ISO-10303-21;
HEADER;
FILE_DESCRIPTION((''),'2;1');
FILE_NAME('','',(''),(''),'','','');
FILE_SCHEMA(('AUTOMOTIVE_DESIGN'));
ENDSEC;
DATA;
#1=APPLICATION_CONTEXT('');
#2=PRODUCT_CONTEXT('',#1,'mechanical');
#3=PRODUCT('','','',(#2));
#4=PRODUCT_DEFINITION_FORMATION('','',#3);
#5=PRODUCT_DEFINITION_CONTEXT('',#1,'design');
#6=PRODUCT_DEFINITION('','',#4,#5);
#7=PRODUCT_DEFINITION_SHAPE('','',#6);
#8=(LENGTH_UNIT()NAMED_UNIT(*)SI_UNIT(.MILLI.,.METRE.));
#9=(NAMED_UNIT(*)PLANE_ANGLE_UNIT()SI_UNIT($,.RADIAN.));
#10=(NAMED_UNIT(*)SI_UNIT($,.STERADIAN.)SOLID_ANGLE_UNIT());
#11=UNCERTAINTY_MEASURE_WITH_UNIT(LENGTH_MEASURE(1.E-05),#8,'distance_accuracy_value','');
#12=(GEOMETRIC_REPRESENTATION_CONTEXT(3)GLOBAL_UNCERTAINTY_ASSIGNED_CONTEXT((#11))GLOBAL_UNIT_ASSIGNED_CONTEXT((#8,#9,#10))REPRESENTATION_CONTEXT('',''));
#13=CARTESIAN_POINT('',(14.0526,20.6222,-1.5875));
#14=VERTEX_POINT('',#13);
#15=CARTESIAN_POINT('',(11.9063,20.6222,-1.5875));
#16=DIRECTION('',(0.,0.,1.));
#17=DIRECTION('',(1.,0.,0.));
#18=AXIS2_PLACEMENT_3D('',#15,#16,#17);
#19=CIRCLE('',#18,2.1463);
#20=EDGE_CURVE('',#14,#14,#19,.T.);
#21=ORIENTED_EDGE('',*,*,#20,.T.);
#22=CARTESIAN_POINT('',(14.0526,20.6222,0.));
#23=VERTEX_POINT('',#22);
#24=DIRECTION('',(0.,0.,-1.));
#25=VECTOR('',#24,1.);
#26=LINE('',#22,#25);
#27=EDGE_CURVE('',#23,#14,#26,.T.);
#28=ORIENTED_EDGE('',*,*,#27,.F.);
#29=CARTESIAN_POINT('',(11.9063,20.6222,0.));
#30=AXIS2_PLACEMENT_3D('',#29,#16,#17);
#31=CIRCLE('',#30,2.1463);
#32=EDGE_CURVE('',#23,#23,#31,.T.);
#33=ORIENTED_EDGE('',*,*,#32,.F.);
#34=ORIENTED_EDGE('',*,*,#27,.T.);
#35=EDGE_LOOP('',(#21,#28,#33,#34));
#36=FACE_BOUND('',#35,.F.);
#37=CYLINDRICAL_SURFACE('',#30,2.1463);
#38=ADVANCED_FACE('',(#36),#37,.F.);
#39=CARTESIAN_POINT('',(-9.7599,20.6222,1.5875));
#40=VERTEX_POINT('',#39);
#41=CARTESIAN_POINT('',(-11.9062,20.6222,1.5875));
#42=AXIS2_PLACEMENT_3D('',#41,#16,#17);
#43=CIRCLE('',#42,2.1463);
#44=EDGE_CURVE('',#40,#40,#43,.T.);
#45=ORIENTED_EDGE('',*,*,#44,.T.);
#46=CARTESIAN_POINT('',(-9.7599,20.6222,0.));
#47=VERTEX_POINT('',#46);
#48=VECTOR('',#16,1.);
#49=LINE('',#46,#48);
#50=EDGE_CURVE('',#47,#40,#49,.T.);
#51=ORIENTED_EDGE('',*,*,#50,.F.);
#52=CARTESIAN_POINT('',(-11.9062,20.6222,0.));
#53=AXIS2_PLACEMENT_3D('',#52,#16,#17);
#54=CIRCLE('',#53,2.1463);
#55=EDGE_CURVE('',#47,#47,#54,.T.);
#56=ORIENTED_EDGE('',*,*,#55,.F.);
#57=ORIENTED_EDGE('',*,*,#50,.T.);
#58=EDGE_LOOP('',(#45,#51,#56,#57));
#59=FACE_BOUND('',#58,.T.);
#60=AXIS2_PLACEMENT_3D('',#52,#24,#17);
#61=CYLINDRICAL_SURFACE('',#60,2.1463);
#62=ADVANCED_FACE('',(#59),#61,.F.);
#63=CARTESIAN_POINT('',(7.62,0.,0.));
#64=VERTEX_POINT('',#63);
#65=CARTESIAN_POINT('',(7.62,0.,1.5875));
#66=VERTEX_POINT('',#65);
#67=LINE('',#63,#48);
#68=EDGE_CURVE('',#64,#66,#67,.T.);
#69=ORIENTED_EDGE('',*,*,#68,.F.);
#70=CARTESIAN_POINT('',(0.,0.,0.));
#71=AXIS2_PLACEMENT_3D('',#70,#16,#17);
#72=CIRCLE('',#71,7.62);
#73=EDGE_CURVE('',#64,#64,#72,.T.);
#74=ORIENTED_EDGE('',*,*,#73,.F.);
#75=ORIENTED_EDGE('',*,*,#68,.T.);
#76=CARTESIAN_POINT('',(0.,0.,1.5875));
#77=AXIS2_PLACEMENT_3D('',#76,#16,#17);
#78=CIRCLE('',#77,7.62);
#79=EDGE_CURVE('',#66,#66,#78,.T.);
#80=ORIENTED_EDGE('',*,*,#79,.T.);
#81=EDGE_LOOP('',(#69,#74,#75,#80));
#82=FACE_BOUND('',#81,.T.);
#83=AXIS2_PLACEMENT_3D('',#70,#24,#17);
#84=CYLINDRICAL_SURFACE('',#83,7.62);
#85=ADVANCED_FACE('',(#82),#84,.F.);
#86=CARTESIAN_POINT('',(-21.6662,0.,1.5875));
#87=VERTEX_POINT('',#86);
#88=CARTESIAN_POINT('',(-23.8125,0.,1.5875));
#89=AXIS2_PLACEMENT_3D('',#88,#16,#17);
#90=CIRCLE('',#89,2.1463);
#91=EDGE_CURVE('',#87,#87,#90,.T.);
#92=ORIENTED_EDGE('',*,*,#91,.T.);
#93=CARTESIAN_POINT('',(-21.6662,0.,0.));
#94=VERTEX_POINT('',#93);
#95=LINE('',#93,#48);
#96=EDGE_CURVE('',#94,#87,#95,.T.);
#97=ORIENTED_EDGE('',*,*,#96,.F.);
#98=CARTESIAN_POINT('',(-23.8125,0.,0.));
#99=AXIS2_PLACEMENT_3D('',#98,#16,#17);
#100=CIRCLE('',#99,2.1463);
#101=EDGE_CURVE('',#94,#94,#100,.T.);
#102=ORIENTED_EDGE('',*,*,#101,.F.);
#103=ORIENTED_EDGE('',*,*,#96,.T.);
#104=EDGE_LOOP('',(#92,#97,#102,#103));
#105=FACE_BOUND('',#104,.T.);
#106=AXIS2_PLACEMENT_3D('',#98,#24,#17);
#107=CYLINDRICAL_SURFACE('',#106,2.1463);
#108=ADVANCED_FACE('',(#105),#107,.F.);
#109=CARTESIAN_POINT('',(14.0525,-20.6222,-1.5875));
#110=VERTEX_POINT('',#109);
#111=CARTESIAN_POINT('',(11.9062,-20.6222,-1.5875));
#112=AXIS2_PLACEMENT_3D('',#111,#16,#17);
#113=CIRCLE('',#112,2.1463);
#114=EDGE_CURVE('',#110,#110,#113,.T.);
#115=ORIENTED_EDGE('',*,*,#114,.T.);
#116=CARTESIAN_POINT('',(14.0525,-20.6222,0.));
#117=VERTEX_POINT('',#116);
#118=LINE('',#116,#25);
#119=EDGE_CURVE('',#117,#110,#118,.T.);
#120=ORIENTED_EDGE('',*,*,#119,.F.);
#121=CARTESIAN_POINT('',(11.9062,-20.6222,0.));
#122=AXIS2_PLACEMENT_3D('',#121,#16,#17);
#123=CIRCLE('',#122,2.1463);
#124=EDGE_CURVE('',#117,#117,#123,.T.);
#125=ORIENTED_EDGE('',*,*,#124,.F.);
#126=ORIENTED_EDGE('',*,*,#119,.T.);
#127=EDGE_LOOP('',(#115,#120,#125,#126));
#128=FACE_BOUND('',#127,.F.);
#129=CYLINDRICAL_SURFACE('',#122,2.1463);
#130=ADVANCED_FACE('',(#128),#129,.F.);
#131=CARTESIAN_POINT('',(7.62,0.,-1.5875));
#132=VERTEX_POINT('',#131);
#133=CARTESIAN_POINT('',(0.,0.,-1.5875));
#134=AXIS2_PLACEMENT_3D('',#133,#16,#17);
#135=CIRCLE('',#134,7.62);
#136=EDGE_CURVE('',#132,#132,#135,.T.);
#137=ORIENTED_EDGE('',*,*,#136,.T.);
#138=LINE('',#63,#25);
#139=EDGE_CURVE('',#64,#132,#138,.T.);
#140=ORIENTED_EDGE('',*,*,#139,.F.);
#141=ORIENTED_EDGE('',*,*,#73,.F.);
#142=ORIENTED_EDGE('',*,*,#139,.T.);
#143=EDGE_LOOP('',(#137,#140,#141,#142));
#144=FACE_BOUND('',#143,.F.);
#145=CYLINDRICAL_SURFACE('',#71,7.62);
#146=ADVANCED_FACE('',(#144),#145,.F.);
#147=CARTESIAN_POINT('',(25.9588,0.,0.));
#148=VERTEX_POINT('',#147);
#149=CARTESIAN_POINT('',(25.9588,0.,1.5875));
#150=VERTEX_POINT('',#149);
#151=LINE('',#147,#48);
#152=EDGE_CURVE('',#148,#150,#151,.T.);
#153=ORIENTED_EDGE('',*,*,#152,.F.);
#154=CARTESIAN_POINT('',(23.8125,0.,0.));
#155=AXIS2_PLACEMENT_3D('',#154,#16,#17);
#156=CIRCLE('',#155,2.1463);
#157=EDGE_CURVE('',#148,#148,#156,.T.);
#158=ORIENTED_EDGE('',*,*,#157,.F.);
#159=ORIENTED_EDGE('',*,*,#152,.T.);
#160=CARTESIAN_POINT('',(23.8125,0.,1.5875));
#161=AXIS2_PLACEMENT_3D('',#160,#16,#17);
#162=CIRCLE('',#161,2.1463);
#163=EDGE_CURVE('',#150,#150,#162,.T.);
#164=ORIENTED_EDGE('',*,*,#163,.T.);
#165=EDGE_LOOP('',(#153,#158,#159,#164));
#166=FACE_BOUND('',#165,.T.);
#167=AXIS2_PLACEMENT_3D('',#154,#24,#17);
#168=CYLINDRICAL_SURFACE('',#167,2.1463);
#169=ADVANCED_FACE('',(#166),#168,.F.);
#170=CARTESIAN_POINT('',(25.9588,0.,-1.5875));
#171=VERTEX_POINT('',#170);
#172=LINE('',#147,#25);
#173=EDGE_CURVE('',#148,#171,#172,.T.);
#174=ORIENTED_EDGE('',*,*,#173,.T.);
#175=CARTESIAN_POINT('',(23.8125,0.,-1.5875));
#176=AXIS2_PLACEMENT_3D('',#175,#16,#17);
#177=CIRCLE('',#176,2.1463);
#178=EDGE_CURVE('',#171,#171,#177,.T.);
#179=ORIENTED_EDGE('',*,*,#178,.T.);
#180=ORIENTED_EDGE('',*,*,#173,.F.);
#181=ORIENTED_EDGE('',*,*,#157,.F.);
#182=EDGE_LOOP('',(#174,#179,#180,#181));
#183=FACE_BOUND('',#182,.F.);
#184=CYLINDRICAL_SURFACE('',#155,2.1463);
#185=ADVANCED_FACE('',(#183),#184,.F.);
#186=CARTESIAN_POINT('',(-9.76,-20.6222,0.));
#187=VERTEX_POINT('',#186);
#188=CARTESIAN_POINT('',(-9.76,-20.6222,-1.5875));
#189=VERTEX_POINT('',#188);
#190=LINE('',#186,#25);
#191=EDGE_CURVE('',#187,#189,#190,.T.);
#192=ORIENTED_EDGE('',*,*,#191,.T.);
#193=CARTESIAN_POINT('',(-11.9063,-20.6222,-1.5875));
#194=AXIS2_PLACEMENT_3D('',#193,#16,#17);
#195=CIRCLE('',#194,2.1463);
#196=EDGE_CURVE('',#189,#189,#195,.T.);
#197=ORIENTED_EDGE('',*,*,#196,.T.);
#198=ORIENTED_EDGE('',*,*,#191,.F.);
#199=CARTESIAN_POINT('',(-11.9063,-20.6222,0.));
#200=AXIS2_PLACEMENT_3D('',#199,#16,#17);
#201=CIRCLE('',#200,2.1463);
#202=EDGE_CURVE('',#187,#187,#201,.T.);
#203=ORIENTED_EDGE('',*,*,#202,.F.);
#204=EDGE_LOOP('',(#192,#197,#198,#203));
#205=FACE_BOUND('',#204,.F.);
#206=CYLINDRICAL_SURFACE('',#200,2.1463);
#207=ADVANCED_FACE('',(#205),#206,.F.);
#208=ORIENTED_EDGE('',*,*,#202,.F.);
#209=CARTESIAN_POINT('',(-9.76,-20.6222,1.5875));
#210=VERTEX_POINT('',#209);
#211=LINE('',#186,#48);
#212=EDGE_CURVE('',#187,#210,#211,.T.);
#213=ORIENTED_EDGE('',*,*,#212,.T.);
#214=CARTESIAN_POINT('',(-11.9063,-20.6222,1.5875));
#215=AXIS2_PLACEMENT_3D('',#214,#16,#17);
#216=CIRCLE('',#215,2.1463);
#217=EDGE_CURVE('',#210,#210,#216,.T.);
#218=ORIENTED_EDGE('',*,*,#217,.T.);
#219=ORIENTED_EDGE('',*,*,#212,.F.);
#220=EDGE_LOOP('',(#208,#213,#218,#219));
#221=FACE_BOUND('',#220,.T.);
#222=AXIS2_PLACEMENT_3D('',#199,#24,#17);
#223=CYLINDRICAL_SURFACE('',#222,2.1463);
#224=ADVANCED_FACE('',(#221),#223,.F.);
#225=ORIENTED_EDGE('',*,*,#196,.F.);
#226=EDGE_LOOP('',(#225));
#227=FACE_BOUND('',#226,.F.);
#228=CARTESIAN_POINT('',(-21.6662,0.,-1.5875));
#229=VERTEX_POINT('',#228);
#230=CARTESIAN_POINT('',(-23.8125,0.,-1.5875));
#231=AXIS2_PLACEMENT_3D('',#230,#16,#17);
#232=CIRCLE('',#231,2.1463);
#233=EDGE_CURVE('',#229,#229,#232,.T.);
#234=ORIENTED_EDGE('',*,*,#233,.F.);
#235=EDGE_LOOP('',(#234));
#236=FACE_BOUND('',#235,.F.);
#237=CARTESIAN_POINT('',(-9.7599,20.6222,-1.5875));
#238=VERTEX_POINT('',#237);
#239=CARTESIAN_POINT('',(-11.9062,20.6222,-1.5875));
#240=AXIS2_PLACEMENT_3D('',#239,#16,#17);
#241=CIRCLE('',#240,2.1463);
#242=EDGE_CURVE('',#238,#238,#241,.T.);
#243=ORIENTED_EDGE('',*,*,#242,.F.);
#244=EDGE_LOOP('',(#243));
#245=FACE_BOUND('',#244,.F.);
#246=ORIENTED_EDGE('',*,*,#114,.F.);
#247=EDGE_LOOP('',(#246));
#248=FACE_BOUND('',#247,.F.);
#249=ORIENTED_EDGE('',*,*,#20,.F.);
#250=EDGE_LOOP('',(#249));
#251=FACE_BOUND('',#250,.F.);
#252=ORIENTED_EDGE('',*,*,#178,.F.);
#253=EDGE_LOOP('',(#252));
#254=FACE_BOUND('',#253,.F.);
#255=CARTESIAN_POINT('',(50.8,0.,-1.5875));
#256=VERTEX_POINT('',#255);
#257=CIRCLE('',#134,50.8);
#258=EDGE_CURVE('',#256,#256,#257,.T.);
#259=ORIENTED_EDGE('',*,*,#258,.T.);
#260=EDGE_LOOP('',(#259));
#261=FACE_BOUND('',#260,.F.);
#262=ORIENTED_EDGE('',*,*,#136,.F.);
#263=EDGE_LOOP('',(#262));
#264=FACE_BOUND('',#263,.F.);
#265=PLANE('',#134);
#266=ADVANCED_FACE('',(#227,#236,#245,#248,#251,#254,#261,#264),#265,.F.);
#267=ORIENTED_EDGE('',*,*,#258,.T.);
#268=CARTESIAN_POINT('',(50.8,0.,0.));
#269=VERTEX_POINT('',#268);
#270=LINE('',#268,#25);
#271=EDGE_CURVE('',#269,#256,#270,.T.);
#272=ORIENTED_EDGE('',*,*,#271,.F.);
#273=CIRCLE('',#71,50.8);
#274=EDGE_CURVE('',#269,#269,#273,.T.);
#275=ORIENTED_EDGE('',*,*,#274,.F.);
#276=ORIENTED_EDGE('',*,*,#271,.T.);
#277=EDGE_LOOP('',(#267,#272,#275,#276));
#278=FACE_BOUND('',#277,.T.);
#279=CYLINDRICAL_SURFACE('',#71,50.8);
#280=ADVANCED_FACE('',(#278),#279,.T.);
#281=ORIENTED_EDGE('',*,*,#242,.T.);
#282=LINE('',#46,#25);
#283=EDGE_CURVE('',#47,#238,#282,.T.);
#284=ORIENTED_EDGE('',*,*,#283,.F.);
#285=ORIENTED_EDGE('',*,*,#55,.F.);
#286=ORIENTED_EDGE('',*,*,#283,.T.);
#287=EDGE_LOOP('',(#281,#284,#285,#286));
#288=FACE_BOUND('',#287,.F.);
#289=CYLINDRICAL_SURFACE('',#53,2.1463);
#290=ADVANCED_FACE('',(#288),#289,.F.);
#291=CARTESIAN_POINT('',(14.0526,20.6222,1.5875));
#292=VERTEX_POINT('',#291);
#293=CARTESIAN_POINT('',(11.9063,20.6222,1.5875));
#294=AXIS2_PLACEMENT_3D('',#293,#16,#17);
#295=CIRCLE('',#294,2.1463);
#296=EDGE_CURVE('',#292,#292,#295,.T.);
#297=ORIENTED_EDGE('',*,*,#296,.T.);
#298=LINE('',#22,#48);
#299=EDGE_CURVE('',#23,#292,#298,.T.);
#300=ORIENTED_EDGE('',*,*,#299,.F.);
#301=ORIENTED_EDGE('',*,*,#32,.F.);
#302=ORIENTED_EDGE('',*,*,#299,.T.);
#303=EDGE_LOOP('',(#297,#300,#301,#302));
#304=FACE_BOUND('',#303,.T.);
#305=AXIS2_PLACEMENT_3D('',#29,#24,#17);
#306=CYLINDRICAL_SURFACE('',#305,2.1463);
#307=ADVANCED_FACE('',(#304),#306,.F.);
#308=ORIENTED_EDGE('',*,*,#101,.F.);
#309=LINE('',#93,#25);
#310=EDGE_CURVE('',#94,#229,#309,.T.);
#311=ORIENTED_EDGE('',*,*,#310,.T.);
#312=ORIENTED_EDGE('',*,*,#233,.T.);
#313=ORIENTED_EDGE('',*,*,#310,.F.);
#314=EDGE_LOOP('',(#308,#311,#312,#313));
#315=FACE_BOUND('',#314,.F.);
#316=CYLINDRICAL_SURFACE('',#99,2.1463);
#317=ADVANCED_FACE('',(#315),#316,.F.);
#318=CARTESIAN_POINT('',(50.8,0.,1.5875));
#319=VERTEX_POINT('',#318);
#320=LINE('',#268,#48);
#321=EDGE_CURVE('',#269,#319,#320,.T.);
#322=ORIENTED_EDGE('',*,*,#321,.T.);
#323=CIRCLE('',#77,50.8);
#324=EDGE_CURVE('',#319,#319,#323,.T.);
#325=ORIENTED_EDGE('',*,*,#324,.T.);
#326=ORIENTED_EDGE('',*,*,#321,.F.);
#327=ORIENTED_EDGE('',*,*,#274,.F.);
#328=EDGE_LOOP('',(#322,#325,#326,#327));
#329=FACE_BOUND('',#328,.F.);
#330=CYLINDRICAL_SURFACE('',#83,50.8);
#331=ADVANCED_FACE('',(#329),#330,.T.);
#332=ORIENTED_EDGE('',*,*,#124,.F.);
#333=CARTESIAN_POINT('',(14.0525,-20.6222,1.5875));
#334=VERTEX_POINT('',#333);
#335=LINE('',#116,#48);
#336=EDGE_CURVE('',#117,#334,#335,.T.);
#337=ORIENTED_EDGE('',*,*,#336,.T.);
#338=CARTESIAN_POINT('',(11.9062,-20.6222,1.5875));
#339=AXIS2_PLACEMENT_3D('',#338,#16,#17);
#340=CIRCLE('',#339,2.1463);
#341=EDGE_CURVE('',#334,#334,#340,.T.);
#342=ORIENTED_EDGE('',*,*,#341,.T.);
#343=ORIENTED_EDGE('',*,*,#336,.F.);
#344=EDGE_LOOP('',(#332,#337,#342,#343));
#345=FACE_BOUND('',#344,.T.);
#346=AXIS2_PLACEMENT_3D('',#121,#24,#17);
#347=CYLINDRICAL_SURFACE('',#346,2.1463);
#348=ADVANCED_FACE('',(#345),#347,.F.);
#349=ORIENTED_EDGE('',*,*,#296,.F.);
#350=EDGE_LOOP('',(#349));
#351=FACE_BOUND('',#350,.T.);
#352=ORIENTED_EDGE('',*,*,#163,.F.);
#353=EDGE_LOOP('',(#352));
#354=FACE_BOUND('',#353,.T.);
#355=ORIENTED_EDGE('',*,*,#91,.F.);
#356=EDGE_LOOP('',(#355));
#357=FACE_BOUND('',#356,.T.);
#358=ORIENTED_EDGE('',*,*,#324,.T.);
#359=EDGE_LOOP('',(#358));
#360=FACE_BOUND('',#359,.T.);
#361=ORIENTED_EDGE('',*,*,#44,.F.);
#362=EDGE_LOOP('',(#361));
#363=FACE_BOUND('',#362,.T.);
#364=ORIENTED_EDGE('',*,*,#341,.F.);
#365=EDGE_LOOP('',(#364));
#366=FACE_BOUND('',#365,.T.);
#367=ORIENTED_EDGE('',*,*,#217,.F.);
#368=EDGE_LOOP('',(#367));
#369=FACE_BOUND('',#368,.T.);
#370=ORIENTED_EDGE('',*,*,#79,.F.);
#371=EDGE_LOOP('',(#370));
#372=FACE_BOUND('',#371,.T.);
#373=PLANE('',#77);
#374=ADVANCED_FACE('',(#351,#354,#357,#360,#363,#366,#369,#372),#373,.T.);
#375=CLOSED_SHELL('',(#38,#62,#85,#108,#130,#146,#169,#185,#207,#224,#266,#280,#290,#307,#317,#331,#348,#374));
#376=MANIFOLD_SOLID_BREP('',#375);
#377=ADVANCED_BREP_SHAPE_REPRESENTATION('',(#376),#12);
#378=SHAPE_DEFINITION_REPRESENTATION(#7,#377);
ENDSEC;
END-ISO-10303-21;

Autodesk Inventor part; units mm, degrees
ref_plane "YZ Plane" through (0, 0, 0) normal (1, 0, 0) x (0, 1, 0)
ref_plane "XZ Plane" through (0, 0, 0) normal (0, 1, 0) x (-1, 0, 0)
ref_plane "XY Plane" through (0, 0, 0) normal (0, 0, 1) x (1, 0, 0)
sketch "Sketch1" plane through (0, 0, 0) normal (0, 0, 1) x (1, 0, 0)
  circle A0 centre (23.8125, 0) radius 2.1463
  circle A1 centre (11.9063, 20.6222) radius 2.1463
  circle A2 centre (-11.9062, 20.6222) radius 2.1463
  circle A3 centre (-23.8125, 0) radius 2.1463
  circle A4 centre (-11.9063, -20.6222) radius 2.1463
  circle A5 centre (11.9062, -20.6222) radius 2.1463
  circle A6 centre (0, 0) radius 50.8
  circle A7 centre (0, 0) radius 7.62
  dimension "d0" = 4.2926
  dimension "d4" = 360
  dimension "d6" = 101.6
  dimension "d9" = 15.24
extrude "Extrusion1" add sketch "Sketch1" along normal mid plane 3.175
properties part number "Spool Plate" material "Aluminum 6061"
